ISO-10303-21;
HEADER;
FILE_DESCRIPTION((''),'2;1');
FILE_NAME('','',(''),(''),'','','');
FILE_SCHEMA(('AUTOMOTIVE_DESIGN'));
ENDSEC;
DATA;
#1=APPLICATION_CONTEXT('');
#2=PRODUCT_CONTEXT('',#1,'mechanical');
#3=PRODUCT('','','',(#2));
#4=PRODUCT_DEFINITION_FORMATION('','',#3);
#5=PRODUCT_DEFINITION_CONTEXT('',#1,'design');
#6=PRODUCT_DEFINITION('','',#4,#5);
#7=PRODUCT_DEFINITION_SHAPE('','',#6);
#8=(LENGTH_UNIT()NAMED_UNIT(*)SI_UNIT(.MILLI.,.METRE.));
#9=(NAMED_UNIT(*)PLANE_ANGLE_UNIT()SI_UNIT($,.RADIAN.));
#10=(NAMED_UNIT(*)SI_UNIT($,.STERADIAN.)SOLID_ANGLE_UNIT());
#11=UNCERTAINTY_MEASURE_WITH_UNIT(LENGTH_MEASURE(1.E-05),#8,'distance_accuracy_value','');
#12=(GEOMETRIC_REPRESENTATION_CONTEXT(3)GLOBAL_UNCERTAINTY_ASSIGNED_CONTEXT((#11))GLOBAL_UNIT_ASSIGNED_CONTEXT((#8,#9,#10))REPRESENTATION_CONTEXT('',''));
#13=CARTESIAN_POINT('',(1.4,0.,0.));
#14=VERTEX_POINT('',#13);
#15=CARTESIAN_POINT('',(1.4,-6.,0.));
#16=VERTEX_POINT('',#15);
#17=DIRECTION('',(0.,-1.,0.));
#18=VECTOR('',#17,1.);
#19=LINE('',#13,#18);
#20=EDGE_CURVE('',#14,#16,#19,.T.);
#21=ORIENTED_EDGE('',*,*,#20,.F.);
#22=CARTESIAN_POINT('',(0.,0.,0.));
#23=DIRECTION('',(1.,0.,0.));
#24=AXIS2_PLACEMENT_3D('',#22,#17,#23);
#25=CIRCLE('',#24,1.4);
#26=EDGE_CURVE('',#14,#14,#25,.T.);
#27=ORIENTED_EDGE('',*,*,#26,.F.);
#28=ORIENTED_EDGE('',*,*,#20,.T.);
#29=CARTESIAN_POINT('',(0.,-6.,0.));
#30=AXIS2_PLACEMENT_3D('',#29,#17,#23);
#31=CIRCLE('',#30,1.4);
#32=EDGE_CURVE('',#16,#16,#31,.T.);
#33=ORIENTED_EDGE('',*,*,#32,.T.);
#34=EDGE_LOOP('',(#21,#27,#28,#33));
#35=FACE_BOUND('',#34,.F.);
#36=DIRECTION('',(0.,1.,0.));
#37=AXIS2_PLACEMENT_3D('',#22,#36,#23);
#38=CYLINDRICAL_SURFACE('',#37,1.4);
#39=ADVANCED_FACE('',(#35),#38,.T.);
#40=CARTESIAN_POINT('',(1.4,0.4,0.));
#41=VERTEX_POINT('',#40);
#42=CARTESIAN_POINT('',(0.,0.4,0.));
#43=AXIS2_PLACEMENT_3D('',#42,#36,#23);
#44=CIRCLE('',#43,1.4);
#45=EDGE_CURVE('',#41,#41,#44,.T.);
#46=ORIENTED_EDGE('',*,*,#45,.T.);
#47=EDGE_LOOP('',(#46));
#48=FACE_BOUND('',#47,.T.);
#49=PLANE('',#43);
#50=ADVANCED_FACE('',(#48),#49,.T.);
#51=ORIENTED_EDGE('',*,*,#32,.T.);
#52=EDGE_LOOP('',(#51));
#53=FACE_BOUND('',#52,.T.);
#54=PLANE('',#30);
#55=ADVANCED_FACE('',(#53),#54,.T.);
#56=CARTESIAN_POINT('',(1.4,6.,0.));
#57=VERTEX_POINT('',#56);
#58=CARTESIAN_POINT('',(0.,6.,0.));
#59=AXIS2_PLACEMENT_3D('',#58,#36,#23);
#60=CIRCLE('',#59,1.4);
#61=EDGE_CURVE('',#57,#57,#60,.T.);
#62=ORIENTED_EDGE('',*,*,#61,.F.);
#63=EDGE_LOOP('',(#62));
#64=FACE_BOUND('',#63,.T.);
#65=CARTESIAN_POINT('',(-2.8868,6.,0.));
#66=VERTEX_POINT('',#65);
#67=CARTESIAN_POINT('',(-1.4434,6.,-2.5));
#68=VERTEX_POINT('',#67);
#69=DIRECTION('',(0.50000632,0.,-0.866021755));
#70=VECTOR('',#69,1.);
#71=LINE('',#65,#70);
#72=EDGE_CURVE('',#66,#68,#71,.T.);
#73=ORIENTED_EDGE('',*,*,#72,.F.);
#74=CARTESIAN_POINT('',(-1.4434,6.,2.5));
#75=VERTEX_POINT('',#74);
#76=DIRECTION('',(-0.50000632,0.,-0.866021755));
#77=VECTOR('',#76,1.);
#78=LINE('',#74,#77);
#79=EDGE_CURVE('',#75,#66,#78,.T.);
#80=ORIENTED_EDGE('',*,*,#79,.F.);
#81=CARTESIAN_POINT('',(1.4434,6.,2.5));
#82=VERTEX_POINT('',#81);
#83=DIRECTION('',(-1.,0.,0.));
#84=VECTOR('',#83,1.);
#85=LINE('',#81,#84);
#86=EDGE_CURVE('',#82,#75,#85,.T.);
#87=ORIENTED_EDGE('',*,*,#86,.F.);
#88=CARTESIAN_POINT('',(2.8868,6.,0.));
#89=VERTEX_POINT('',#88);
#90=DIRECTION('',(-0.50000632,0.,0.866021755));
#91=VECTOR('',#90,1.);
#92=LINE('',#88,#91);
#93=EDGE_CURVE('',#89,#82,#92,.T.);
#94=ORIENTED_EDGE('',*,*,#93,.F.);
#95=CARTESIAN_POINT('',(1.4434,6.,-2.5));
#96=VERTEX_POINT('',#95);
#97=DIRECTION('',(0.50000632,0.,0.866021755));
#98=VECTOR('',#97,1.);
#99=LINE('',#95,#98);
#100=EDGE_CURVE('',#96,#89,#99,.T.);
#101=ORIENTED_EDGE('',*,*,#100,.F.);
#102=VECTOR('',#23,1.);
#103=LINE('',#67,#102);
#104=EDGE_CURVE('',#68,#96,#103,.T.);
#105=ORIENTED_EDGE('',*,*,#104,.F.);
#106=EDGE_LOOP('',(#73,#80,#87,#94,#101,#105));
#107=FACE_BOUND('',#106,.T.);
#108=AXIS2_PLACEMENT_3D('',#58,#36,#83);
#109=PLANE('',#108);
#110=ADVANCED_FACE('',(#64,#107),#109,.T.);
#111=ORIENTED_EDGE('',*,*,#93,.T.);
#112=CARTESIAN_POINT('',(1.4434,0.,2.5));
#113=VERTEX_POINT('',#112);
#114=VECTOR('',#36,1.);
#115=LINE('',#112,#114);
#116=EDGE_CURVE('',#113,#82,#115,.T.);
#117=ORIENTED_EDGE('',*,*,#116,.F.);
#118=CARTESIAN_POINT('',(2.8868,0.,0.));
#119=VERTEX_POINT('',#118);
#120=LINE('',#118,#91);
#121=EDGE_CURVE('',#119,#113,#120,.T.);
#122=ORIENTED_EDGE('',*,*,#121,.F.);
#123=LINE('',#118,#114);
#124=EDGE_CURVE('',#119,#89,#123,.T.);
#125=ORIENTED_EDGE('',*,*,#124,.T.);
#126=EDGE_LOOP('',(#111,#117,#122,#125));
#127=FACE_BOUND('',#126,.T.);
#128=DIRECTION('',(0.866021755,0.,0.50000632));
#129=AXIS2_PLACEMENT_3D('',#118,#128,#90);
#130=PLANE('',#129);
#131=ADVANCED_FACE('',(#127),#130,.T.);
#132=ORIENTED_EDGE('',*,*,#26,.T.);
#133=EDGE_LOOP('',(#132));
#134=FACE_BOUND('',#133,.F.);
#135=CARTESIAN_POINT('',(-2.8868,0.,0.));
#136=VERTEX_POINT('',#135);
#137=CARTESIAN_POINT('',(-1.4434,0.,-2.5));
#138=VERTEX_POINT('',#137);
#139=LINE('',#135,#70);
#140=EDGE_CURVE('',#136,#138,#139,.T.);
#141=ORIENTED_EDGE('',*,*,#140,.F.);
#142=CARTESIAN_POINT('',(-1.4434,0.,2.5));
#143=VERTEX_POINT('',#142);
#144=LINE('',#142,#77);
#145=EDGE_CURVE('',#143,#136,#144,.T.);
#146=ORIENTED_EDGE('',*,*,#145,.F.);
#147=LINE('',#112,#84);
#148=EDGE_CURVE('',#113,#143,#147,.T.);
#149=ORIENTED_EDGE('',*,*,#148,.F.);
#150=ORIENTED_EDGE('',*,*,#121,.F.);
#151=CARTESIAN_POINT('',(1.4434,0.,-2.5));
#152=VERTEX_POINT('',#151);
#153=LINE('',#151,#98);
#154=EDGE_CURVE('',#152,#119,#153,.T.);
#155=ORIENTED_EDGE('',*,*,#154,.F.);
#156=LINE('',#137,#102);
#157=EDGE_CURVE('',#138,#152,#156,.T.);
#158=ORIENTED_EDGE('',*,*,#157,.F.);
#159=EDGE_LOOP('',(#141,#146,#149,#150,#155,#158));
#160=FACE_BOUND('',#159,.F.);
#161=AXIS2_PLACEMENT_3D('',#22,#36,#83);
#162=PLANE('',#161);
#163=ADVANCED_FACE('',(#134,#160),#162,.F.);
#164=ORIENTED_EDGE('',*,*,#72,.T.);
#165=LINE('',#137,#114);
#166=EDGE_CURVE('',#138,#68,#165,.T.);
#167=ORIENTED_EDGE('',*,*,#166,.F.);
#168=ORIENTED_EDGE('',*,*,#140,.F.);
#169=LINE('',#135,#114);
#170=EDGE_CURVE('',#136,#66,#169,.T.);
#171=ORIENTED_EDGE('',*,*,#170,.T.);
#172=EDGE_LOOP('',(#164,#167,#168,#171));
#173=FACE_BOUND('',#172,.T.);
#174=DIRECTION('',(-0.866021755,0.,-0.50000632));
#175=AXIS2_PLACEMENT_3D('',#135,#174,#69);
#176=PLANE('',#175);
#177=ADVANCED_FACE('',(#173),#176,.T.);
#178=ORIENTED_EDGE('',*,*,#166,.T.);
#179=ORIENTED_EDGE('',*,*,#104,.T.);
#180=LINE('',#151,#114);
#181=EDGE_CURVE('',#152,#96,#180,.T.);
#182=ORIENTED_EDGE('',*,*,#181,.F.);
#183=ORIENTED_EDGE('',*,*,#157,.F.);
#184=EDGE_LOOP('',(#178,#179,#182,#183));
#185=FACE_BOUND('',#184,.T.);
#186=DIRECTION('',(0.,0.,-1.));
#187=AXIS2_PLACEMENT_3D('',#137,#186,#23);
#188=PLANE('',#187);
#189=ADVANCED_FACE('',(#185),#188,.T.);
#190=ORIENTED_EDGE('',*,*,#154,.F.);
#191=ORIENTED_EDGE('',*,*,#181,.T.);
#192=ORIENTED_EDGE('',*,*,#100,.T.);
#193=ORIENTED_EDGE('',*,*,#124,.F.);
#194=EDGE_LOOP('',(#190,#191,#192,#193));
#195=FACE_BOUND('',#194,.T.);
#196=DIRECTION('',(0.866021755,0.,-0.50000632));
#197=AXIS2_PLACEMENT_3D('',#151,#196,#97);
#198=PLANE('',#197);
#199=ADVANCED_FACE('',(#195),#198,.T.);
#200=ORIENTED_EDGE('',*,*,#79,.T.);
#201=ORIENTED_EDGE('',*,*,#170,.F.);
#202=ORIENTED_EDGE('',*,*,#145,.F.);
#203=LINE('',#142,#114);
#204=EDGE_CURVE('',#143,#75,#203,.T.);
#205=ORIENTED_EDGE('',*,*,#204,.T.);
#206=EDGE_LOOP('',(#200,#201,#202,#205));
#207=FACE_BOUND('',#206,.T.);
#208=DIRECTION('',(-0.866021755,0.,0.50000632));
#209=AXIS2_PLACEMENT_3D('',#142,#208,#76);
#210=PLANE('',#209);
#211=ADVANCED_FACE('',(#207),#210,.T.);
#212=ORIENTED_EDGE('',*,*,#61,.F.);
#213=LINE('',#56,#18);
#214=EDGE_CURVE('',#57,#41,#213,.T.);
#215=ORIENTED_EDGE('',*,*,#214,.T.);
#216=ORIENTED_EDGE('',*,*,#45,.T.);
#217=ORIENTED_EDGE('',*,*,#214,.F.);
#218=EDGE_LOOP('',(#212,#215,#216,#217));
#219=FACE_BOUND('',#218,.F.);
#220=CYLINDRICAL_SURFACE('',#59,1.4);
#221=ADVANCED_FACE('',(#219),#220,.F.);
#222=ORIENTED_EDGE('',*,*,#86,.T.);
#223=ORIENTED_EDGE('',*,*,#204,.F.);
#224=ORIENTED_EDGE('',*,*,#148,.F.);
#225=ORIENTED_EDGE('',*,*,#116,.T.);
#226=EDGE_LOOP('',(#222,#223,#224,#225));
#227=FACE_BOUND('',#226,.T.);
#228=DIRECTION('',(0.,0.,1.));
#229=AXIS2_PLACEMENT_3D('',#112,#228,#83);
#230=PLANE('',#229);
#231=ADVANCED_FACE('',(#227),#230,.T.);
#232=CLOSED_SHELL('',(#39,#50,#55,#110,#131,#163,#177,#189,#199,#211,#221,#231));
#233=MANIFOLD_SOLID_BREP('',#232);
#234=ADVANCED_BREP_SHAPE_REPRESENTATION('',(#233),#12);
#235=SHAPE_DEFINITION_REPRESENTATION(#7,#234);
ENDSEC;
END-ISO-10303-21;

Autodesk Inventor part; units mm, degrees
ref_plane "YZ Plane" through (0, 0, 0) normal (1, 0, 0) x (0, 1, 0)
ref_plane "XZ Plane" through (0, 0, 0) normal (0, 1, 0) x (-1, 0, 0)
ref_plane "XY Plane" through (0, 0, 0) normal (0, 0, 1) x (1, 0, 0)
sketch "Эскиз1" plane through (0, 0, 0) normal (0, 1, 0) x (-1, 0, 0)
  line L0 (2.8868, 0) -> (1.4434, -2.5)
  line L1 (1.4434, -2.5) -> (-1.4434, -2.5)
  line L2 (-1.4434, -2.5) -> (-2.8868, 0)
  line L3 (-2.8868, 0) -> (-1.4434, 2.5)
  line L4 (-1.4434, 2.5) -> (1.4434, 2.5)
  line L5 (1.4434, 2.5) -> (2.8868, 0)
  point P0 (0, 0)
  point P1 (0, 0)
  dimension "d0" = 5
extrude "Выдавливание1" add sketch "Эскиз1" along normal blind 6
sketch "Эскиз2" plane through (0, 0, 0) normal (0, -1, 0) x (1, 0, 0)
  circle A0 centre (0, 0) radius 1.4
  dimension "d3" = 2.8
extrude "Выдавливание2" add sketch "Эскиз2" along normal blind 6
sketch "Эскиз3" plane through (0, 6, 0) normal (0, 1, 0) x (1, 0, 0)
  circle A0 centre (0, 0) radius 1.4
  dimension "d6" = 2.8
extrude "Выдавливание3" cut sketch "Эскиз3" against normal blind 5.6
thread "Резьба1" size "M3x0.5" class "6g" standard "ANSI Metric M Profile" full length
thread "Резьба2" size "M3x0.5" class "6H" standard "ANSI Metric M Profile" full length
properties part number "M3_MF_6mm"
